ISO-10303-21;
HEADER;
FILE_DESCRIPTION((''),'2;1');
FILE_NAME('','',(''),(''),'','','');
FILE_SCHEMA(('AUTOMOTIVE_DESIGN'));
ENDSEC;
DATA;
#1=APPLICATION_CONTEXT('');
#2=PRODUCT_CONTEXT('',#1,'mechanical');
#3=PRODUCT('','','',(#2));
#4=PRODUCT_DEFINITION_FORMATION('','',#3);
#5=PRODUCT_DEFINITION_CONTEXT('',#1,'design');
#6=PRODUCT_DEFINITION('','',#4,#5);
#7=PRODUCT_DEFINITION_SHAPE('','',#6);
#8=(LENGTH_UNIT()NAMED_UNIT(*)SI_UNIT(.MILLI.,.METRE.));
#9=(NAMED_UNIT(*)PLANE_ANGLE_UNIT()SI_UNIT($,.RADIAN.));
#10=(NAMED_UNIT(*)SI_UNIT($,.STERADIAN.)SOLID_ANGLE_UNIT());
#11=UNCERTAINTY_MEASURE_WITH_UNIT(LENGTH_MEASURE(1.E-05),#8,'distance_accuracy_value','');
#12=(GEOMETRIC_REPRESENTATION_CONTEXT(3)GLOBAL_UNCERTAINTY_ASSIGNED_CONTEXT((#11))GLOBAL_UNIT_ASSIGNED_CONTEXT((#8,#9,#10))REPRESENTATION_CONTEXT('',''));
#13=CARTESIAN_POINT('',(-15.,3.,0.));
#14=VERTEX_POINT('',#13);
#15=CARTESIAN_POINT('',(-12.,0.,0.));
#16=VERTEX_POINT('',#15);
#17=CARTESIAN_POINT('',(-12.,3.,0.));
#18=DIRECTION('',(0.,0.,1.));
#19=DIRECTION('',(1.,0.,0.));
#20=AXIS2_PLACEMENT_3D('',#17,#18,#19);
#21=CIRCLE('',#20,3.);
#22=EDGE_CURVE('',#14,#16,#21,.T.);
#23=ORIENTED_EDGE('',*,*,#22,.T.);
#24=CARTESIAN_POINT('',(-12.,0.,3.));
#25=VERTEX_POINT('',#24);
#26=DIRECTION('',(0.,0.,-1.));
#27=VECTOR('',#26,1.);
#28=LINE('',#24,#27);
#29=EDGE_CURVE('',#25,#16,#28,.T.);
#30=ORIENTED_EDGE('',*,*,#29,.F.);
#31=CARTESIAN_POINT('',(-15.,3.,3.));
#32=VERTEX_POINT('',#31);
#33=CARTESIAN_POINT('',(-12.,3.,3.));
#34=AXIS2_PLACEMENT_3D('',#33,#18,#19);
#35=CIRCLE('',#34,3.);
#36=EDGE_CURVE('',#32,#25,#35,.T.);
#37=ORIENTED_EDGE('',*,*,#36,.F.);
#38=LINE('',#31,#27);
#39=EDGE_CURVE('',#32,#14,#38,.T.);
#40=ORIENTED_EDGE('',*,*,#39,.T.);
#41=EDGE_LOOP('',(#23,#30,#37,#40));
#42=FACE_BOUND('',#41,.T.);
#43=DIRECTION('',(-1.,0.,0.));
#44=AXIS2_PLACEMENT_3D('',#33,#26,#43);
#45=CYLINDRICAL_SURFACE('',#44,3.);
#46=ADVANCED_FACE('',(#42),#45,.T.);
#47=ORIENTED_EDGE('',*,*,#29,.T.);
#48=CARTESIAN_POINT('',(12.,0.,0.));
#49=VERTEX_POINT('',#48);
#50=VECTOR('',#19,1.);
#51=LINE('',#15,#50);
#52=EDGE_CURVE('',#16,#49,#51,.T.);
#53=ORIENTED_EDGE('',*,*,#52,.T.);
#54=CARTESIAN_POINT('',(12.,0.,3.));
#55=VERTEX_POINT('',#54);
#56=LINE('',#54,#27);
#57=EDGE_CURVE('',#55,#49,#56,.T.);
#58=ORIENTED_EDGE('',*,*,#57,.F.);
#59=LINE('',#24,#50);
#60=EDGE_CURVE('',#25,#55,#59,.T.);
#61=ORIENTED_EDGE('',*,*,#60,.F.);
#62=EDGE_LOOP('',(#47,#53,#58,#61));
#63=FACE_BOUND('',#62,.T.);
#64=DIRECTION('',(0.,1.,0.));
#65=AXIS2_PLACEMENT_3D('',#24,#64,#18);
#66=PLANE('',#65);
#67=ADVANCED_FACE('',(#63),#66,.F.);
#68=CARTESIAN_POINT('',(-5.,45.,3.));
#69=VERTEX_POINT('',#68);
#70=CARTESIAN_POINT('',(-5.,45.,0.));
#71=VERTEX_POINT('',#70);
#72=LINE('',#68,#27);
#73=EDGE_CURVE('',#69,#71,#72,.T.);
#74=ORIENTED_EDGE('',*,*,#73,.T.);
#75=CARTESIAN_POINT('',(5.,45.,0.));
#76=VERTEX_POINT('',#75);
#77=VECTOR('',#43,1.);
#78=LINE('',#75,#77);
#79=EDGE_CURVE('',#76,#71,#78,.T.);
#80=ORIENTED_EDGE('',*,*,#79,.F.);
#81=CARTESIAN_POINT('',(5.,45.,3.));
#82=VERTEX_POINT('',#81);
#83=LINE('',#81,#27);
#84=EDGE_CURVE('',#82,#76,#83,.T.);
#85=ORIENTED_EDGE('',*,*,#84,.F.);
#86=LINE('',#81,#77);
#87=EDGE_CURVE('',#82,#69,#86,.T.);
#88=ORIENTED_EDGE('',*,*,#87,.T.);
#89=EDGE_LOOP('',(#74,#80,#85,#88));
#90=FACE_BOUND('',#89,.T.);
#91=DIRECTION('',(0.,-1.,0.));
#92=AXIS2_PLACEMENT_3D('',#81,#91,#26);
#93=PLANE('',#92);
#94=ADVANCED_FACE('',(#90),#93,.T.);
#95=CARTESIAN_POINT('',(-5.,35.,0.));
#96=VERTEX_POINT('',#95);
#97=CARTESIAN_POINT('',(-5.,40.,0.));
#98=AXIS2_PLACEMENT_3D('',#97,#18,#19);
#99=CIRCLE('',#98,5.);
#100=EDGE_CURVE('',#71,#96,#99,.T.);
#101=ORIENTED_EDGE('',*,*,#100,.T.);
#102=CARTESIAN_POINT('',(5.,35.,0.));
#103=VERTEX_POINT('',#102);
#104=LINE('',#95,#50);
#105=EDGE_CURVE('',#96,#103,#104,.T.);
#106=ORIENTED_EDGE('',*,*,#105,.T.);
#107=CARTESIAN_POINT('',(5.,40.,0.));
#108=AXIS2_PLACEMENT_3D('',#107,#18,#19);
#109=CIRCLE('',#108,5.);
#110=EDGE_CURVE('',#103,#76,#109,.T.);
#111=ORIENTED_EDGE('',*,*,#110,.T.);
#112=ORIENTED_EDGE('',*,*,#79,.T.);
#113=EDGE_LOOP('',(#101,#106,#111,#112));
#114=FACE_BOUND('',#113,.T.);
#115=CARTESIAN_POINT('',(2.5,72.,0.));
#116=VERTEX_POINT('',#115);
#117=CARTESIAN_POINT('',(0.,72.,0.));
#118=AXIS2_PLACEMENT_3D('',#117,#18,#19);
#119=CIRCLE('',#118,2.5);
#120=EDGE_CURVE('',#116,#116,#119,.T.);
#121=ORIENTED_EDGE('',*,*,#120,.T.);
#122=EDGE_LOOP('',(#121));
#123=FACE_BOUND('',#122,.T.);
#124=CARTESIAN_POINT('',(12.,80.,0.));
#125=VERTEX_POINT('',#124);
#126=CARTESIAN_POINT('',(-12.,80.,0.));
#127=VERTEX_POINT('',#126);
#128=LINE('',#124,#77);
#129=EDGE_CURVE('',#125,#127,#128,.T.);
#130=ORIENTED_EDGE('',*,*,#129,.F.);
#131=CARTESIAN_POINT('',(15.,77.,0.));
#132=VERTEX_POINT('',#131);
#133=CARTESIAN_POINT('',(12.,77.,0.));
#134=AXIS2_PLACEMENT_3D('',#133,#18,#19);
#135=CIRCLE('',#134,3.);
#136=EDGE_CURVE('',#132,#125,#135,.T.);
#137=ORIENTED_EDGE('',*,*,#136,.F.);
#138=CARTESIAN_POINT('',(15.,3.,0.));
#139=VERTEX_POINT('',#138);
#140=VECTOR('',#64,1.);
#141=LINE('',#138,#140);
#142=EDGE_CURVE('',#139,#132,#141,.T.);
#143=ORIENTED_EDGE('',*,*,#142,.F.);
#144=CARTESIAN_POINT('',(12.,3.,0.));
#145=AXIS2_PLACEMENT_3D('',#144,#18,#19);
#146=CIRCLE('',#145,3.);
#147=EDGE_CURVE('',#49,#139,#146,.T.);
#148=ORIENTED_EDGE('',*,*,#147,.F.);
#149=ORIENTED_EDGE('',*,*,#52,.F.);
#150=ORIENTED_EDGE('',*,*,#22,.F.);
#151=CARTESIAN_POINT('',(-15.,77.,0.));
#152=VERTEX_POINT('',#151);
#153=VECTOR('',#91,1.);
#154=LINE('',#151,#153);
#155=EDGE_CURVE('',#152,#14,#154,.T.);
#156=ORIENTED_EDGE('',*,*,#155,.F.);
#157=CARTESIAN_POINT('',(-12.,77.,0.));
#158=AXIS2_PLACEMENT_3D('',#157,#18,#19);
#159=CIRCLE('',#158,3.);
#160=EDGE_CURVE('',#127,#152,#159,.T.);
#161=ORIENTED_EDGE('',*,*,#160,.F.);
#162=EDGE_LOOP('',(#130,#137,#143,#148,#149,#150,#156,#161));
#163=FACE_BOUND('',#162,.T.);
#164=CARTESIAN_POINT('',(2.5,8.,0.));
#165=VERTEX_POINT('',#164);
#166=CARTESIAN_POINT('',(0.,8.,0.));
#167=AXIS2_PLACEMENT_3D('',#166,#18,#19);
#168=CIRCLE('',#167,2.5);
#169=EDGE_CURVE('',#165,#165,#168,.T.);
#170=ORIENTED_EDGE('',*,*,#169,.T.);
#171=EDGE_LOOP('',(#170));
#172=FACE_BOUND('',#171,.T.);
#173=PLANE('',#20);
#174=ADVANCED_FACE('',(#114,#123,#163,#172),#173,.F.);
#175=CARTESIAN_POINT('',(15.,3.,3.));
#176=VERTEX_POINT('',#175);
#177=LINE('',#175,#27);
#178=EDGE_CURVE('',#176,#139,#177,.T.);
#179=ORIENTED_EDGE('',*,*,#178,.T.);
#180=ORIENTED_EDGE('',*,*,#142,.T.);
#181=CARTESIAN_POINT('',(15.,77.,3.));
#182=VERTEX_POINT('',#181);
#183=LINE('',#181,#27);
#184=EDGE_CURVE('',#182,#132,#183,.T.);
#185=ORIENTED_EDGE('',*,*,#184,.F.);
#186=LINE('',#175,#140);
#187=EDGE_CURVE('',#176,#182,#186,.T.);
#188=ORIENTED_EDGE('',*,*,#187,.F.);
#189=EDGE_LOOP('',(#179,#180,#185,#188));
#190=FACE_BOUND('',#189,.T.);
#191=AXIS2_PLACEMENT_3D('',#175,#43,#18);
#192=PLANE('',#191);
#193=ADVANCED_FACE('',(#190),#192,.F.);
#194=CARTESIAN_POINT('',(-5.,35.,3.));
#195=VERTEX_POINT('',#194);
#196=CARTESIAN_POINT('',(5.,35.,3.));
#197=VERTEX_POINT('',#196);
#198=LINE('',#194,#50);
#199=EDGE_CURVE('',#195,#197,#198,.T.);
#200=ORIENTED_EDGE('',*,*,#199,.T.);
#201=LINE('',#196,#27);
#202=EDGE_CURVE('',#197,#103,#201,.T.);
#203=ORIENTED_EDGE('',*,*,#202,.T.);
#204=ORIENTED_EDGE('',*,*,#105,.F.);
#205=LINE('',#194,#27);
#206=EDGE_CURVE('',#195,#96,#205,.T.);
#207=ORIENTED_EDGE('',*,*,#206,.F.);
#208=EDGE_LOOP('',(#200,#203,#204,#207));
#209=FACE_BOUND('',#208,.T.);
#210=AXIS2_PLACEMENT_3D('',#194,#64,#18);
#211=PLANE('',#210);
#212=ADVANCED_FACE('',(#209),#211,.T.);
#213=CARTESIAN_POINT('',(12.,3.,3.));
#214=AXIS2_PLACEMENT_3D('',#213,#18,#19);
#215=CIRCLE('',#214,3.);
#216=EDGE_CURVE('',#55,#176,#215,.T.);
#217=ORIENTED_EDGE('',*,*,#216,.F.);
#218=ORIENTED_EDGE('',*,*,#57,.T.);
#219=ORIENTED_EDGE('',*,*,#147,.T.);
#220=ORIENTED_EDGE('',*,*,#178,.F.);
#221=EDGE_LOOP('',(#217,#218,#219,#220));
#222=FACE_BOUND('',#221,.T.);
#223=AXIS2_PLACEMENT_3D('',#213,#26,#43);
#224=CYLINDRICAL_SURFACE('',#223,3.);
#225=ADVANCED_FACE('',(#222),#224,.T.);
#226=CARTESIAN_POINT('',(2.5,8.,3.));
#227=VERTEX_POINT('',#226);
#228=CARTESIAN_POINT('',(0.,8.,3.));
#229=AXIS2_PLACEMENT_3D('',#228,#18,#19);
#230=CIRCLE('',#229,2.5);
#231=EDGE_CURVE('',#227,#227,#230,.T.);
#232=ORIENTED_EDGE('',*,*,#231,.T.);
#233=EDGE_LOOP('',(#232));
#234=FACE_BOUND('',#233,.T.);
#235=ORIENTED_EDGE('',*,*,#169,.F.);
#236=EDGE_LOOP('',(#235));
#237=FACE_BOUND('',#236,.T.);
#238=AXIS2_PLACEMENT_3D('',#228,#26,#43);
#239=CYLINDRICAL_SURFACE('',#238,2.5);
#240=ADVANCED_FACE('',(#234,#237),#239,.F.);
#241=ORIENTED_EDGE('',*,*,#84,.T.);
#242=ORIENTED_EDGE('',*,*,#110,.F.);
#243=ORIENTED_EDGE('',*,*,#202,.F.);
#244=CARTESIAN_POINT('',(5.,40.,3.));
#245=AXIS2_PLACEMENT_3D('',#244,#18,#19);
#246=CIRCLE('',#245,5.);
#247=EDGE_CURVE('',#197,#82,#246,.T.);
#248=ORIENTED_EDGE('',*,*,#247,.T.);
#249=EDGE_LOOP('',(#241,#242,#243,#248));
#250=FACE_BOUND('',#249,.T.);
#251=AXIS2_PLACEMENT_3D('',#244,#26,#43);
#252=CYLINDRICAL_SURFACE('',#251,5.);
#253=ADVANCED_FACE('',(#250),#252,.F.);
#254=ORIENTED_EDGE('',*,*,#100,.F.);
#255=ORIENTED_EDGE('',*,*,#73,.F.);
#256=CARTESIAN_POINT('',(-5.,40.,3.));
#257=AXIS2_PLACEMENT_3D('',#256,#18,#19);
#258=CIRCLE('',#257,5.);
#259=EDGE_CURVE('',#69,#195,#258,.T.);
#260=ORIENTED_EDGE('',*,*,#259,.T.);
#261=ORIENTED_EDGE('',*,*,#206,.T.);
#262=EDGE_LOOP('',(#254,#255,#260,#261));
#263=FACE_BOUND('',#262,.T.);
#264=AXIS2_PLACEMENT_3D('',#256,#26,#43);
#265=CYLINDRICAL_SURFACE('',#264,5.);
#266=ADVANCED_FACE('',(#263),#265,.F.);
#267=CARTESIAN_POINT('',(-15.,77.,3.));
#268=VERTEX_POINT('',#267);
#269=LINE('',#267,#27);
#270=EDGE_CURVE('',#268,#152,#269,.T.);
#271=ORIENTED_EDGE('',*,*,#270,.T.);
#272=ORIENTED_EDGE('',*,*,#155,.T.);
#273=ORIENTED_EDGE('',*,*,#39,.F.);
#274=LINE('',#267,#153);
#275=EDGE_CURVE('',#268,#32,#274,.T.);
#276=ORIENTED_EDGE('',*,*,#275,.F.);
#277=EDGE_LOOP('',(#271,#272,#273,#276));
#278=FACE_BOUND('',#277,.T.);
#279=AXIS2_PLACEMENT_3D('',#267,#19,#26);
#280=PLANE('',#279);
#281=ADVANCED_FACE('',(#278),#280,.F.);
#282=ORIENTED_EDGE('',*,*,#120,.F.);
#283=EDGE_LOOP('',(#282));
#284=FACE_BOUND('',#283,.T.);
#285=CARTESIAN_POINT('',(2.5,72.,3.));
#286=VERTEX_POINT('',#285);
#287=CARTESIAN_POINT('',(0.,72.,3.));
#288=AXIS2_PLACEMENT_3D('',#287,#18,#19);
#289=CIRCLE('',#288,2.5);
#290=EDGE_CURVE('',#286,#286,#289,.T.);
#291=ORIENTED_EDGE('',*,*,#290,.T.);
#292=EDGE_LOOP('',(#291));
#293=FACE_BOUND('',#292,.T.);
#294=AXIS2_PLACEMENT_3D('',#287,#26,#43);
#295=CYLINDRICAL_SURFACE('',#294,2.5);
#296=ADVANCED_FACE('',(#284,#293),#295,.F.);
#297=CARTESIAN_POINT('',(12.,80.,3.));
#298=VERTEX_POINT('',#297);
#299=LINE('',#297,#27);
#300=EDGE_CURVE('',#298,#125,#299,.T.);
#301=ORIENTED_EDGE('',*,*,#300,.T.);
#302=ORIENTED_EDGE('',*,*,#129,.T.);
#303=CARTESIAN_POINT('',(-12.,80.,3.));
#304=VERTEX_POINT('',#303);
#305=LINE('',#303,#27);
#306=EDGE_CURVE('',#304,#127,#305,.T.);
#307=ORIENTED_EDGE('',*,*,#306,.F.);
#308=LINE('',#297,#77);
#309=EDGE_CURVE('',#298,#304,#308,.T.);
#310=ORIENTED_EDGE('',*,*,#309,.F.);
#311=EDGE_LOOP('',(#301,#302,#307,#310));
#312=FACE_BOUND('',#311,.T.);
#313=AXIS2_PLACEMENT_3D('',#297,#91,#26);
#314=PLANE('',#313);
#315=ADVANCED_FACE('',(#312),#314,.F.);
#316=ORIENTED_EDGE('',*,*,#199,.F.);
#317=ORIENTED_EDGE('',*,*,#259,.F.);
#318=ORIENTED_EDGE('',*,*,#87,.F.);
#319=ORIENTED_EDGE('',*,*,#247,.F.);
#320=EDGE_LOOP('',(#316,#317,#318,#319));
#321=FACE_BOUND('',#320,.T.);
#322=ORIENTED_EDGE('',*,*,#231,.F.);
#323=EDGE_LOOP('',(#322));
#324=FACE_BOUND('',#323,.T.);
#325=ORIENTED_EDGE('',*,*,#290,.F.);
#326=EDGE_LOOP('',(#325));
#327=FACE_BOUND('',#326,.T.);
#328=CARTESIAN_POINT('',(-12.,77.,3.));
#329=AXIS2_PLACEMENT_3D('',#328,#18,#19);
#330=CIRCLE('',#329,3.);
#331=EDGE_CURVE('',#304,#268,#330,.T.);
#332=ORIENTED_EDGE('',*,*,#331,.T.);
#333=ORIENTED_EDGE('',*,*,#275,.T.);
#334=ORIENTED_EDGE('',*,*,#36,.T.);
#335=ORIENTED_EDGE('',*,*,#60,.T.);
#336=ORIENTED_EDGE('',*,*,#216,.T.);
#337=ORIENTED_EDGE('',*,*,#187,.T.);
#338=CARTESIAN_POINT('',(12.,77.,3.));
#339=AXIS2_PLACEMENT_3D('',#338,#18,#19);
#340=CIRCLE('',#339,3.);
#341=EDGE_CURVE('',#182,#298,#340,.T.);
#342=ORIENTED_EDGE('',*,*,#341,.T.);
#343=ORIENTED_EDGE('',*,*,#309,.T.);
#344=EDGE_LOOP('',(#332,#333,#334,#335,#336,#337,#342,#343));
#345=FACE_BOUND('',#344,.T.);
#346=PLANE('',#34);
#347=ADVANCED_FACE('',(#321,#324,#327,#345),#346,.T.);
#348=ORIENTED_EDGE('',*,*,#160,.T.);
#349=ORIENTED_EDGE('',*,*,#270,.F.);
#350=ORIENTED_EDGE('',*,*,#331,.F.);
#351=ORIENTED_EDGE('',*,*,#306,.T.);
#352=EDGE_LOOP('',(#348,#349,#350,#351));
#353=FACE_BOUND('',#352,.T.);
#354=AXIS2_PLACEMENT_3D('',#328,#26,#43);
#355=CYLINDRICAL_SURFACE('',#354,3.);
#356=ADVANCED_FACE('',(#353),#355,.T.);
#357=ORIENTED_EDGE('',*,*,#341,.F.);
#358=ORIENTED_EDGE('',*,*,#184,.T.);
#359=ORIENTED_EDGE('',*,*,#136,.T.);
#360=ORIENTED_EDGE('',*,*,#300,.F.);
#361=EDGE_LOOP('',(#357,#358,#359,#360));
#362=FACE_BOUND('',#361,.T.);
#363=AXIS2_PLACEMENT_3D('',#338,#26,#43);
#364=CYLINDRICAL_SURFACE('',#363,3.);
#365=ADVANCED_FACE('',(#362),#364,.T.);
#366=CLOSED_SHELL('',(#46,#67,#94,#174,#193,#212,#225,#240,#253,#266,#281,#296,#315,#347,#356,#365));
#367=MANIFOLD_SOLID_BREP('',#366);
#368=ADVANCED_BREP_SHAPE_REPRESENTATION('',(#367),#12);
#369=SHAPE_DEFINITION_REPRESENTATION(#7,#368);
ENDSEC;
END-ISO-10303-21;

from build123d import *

# Parameters (mm, degrees)
EXTRUDE_1_DEPTH     = 3
SKETCH_2_R          = 2.5
CUT_EXTRUDE_1_DEPTH = 82.449370777


with BuildPart() as part:
    # 草图1 → 凸台-拉伸1 (new body)
    with BuildSketch(Plane.XY):
        with BuildLine():
            Line((-12, 0), (12, 0))
            ThreePointArc((12, 0), (14.121320344, 0.878679656), (15, 3))
            Line((15, 3), (15, 77))
            ThreePointArc((15, 77), (14.121320344, 79.121320344), (12, 80))
            Line((12, 80), (-12, 80))
            ThreePointArc((-12, 80), (-14.121320344, 79.121320344), (-15, 77))
            Line((-15, 77), (-15, 3))
            ThreePointArc((-15, 3), (-14.121320344, 0.878679656), (-12, 0))
        make_face()
    extrude(amount=EXTRUDE_1_DEPTH)

    # 草图2 → 切除-拉伸1 (cut, through all)
    with BuildSketch(Plane.XY):
        with Locations((0, 8)):
            Circle(SKETCH_2_R)
        with Locations((0, 72)):
            Circle(SKETCH_2_R)
        with BuildLine():
            Line((-5, 35), (5, 35))
            ThreePointArc((5, 35), (10, 40), (5, 45))
            Line((5, 45), (-5, 45))
            ThreePointArc((-5, 45), (-10, 40), (-5, 35))
        make_face()
    extrude(amount=CUT_EXTRUDE_1_DEPTH, mode=Mode.SUBTRACT)


solid = part.part
